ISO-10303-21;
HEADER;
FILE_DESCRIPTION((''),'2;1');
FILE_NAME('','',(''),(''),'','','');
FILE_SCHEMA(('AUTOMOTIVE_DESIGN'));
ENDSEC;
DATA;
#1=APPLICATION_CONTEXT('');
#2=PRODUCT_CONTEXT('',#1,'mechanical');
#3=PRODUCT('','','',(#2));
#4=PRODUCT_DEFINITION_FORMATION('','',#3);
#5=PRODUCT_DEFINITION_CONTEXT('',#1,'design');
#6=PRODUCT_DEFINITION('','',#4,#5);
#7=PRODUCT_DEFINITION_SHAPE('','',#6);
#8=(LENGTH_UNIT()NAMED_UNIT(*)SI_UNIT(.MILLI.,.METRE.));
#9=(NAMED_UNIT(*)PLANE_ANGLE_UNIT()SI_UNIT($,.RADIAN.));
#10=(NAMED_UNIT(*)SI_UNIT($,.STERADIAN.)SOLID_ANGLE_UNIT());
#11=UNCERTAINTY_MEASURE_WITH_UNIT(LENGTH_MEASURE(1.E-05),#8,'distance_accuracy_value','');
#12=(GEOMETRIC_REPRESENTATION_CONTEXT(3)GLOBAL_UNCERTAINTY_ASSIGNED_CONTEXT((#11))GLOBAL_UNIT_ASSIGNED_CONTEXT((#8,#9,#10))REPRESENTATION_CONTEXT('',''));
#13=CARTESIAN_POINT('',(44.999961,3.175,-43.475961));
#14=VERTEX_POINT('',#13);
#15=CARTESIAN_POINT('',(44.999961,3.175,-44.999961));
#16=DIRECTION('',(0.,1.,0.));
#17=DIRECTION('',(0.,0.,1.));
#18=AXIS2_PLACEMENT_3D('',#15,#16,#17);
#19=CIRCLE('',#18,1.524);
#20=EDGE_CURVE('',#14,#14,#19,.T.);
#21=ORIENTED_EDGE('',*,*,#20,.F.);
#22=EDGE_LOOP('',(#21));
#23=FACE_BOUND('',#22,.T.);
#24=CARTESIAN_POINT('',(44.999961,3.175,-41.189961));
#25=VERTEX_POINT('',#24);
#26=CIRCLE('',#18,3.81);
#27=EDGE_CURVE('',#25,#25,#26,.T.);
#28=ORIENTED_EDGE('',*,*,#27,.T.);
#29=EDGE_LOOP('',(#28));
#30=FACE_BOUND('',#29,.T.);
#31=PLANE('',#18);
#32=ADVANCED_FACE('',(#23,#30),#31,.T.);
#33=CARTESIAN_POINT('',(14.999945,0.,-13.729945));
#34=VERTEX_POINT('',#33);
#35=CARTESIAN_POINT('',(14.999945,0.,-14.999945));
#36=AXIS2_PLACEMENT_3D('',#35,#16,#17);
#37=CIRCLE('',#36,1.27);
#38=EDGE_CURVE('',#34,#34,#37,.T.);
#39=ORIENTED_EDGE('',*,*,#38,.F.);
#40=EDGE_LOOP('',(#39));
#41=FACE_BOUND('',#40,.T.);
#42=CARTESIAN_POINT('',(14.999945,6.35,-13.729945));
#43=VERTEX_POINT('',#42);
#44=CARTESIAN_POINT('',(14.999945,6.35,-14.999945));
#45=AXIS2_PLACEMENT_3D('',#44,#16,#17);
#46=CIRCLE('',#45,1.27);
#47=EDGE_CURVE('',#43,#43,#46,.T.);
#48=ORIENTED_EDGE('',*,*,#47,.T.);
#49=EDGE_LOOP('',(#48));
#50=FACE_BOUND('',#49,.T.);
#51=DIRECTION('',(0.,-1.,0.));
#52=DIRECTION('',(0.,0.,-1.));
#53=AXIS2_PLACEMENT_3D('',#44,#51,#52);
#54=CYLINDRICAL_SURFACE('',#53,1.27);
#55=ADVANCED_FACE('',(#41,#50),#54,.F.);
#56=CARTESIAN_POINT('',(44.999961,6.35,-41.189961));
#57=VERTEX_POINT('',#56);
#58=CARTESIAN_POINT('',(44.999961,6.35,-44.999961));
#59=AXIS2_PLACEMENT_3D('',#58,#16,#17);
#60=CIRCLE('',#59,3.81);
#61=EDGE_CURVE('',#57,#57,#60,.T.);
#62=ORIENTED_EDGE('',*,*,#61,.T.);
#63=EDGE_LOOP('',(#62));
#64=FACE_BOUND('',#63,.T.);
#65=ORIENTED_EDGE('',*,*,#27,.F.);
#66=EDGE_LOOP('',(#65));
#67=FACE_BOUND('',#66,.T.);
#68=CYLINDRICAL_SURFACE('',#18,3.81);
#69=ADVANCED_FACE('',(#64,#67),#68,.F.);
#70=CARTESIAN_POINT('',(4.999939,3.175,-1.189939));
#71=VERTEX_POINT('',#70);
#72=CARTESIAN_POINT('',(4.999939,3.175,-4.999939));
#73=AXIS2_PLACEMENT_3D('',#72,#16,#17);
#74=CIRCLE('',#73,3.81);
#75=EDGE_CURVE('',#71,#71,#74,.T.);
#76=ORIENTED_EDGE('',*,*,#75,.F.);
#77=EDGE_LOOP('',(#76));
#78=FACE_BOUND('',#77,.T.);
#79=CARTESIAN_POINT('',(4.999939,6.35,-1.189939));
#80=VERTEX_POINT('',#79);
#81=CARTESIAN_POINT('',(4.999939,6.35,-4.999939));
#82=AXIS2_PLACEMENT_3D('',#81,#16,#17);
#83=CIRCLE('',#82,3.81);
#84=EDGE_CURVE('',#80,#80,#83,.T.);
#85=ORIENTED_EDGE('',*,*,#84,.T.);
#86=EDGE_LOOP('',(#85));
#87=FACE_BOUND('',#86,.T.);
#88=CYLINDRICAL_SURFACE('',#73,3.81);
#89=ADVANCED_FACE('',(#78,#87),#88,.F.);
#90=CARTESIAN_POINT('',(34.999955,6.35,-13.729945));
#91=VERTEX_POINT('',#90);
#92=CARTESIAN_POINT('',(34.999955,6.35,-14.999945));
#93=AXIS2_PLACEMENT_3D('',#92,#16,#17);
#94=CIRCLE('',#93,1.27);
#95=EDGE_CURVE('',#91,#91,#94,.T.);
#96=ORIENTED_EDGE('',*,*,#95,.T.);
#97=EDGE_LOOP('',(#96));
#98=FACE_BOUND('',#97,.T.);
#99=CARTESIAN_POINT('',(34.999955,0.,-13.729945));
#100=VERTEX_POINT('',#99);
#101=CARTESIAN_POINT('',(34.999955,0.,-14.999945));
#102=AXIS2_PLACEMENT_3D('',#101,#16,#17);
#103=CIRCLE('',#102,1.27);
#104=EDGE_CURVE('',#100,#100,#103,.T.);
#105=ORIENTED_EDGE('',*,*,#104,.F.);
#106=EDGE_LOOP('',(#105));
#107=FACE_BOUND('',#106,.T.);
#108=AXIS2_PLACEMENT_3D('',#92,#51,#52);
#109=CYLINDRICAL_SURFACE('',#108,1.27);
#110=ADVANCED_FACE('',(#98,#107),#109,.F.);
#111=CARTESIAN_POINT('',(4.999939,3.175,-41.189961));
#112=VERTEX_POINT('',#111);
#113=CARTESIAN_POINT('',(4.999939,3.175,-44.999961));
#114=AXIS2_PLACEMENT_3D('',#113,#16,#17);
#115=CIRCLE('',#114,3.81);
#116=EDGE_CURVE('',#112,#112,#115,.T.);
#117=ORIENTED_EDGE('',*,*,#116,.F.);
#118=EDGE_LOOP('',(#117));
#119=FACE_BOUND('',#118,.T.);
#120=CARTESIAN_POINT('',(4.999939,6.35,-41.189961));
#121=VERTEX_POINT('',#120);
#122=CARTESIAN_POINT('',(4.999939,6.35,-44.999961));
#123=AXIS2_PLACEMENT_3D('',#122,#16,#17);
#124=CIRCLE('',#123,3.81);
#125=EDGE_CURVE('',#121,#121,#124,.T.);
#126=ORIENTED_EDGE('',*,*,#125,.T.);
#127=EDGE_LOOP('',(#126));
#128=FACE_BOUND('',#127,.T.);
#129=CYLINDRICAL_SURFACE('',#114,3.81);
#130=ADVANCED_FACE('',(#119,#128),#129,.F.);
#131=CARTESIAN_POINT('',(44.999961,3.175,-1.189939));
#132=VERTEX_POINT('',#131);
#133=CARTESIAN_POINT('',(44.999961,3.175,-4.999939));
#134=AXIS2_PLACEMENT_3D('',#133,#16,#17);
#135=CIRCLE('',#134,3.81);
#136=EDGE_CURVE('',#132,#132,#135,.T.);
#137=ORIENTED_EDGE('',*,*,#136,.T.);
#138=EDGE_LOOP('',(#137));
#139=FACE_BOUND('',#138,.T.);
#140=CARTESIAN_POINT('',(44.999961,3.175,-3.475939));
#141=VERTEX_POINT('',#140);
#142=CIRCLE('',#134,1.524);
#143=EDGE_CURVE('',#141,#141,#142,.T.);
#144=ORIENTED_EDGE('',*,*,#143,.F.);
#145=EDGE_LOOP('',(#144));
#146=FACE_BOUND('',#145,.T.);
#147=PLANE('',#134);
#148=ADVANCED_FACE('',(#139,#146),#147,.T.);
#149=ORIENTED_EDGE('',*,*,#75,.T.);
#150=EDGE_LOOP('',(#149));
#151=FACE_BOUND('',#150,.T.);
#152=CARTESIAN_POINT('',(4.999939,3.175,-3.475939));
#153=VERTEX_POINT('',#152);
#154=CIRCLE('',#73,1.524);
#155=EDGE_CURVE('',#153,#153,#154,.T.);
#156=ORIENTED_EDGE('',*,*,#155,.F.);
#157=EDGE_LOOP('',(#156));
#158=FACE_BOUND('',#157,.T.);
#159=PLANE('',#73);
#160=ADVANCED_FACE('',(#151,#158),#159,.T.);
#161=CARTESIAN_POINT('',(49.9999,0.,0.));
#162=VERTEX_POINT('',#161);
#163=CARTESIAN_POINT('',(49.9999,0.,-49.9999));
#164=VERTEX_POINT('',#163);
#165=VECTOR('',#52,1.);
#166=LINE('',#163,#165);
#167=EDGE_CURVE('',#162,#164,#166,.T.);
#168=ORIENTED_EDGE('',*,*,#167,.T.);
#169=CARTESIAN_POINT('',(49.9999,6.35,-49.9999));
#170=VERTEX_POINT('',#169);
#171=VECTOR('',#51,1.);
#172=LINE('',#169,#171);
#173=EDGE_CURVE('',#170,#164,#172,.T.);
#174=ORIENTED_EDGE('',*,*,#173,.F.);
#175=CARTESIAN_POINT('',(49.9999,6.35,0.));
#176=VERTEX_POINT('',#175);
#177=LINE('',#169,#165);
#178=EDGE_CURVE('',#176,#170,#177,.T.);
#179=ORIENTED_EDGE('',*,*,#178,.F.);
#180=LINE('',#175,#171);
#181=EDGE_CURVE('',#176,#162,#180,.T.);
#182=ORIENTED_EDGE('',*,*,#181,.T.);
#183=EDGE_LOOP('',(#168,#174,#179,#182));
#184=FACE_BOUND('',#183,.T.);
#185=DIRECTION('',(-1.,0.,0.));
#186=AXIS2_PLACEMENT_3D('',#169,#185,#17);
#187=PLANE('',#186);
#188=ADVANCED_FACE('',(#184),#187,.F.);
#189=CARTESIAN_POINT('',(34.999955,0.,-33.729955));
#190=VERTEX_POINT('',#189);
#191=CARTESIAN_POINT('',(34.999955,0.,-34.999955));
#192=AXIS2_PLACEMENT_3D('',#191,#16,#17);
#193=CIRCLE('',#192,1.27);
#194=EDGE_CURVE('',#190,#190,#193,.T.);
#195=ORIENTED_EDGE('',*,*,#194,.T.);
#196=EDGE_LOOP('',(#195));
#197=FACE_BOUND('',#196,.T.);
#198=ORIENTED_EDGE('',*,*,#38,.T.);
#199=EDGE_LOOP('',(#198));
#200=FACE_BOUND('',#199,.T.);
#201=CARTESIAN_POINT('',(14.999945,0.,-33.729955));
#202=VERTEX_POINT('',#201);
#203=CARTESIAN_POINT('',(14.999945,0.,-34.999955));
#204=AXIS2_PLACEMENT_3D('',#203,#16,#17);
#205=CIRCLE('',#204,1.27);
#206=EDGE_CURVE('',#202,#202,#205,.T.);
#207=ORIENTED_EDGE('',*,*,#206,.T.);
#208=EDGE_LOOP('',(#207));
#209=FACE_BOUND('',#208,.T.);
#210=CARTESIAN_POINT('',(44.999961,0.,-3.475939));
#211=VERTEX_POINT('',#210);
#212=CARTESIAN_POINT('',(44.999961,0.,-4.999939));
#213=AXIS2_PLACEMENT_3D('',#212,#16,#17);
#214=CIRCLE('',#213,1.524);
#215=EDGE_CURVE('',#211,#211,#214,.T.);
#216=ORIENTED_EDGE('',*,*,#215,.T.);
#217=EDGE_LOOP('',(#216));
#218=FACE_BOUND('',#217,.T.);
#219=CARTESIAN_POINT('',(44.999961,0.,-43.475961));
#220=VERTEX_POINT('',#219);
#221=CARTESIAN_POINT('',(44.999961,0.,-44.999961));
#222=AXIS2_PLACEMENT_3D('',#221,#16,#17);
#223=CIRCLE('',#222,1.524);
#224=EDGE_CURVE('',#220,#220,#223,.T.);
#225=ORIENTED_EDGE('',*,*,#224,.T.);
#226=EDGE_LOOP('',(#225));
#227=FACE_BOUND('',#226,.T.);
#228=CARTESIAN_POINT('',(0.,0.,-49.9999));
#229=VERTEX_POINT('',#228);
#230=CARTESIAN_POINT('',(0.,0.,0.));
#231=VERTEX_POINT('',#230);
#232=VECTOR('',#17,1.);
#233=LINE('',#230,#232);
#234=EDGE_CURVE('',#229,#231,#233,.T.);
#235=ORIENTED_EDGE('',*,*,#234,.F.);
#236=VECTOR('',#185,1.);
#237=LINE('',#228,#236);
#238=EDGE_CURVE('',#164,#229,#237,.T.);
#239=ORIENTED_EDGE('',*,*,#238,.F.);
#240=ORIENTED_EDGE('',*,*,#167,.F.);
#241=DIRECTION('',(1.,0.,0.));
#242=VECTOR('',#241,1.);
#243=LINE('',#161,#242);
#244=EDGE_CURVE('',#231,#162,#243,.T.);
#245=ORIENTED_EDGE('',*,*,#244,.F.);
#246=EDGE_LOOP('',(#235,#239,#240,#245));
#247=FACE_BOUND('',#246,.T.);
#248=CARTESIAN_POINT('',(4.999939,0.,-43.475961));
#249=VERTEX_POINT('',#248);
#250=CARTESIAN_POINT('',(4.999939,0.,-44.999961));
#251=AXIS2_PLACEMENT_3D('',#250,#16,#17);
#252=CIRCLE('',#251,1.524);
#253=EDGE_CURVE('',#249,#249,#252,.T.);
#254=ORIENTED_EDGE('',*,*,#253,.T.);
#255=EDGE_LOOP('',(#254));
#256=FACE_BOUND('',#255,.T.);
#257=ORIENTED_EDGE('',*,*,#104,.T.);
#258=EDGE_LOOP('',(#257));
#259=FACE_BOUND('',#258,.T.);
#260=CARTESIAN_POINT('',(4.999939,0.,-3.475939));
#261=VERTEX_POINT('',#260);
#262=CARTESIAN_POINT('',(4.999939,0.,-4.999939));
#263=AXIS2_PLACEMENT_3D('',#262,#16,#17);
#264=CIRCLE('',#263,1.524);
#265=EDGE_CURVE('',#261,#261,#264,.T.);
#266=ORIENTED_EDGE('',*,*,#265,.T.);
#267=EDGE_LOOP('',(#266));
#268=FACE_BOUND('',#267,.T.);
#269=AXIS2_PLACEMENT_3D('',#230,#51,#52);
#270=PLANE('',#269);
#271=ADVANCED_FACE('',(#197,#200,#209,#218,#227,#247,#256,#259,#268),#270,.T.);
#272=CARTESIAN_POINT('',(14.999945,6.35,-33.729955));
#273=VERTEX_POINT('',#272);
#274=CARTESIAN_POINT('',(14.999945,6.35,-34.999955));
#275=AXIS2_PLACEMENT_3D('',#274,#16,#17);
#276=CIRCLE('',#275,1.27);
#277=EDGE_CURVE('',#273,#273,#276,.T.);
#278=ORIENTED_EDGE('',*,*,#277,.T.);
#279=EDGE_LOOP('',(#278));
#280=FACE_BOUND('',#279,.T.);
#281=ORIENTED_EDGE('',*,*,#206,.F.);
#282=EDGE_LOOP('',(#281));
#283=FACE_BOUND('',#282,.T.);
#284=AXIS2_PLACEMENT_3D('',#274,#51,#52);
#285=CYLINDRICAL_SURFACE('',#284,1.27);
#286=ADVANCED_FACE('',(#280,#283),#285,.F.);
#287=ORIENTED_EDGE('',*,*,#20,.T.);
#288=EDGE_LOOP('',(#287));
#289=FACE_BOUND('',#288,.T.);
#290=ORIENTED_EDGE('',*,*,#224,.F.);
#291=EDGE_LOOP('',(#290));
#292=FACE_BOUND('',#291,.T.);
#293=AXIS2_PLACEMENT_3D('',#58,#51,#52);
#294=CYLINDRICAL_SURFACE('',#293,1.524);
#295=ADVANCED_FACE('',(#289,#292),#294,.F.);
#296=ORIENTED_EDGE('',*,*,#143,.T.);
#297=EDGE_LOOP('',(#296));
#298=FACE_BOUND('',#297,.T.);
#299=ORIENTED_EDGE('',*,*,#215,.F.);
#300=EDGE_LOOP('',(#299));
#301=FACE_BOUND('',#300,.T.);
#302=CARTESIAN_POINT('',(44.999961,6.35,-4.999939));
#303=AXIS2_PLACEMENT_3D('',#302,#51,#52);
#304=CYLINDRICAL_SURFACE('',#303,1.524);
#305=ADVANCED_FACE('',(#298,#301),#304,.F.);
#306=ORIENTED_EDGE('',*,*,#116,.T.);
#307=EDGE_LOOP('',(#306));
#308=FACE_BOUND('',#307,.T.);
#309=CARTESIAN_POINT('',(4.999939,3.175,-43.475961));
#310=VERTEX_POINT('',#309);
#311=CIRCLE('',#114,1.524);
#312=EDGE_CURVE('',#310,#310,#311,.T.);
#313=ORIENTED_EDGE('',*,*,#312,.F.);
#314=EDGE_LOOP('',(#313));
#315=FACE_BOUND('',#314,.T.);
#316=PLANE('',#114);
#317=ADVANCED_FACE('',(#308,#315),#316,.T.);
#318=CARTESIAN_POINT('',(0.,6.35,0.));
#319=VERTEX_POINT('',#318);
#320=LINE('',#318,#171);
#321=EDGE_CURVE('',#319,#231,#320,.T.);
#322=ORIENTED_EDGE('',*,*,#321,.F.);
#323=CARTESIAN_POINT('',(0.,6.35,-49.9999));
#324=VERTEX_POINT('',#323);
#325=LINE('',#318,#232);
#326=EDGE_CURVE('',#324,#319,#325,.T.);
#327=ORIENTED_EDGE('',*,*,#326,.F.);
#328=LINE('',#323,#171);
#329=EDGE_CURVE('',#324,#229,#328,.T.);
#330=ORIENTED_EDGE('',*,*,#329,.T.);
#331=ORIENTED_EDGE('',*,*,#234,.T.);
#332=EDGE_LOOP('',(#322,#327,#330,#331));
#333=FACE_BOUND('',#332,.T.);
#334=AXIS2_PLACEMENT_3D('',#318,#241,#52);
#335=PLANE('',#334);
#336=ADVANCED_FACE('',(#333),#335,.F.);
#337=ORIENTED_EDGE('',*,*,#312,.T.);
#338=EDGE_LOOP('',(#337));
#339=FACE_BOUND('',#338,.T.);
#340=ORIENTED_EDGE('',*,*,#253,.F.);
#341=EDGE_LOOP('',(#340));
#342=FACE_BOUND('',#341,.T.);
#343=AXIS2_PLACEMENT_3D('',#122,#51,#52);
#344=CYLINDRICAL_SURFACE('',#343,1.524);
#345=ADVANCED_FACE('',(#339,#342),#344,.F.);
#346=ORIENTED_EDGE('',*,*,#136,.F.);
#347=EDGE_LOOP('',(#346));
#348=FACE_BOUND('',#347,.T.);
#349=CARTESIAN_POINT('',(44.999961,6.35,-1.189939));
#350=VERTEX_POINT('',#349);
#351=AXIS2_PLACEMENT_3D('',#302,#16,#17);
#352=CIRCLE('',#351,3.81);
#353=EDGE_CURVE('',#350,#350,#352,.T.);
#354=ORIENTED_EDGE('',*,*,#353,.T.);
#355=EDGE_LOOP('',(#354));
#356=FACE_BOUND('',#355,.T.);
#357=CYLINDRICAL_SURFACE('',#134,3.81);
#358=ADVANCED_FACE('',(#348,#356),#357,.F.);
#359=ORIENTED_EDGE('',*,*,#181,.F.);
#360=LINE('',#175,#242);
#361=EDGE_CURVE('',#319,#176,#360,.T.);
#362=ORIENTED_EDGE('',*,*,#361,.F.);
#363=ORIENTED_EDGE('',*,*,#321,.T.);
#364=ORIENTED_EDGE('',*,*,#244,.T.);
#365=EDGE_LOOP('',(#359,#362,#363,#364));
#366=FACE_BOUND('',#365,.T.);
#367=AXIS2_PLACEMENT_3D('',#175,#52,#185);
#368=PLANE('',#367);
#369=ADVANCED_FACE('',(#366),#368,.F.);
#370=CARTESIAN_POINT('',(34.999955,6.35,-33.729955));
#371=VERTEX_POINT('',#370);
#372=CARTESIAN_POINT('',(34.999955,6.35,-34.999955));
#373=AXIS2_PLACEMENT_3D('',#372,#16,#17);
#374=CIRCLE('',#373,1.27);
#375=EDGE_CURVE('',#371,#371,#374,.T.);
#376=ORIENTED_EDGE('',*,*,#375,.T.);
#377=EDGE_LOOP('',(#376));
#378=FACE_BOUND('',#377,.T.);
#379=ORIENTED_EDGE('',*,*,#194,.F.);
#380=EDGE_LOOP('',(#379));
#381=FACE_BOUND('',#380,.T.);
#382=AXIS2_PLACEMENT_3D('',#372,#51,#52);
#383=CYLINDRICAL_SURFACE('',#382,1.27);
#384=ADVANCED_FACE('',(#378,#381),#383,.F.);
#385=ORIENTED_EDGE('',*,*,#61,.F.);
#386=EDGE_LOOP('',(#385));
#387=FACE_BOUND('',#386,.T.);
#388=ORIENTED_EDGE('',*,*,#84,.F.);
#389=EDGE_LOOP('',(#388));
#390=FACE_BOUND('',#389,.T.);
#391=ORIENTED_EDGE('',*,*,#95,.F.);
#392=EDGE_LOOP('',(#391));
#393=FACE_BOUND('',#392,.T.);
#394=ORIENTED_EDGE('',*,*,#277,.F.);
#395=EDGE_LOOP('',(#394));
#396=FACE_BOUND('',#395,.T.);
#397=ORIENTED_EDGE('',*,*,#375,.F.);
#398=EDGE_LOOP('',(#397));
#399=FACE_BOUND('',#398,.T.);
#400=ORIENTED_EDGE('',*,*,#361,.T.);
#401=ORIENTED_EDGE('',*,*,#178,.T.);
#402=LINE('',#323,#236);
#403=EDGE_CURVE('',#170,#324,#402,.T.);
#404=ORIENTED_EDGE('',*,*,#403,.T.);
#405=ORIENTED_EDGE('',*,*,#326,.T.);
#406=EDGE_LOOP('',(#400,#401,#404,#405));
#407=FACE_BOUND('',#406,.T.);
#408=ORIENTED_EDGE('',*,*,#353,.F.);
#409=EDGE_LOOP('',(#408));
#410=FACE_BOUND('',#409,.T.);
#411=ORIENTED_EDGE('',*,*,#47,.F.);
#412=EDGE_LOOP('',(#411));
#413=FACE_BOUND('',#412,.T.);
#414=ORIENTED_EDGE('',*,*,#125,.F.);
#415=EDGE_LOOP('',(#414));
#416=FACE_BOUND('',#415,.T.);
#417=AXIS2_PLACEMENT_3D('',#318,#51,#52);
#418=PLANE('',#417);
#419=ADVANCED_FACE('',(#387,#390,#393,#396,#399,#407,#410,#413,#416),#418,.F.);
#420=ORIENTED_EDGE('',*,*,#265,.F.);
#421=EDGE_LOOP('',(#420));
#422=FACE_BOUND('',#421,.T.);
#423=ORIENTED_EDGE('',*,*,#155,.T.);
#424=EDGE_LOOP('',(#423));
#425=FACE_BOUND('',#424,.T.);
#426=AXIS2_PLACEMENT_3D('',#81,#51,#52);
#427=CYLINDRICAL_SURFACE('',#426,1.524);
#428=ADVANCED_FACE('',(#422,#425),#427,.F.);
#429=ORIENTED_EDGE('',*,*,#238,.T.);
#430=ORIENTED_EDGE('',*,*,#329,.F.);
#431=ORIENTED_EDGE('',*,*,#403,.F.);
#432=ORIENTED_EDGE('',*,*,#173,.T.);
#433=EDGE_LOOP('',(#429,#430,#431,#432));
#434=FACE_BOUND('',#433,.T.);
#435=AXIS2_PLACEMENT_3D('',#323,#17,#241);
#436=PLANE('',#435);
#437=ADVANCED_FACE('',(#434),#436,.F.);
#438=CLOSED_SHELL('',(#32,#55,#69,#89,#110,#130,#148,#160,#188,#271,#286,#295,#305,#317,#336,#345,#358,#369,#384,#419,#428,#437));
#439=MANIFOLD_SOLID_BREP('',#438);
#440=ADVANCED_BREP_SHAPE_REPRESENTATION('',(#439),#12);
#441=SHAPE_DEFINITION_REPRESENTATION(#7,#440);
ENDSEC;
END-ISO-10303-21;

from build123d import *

# Parameters (mm, degrees)
SKETCH1_W           = 49.9999
SKETCH1_H           = 49.9999
SKETCH1_R           = 1.524
SKETCH1_R_2         = 1.27
BOSS_EXTRUDE1_DEPTH = 6.35
SKETCH2_R           = 3.81
CUT_EXTRUDE1_DEPTH  = 3.175


with BuildPart() as part:
    # Sketch1 → Boss-Extrude1 (new body)
    with BuildSketch(Plane(origin=(0, 0, 0), x_dir=(1, 0, 0), z_dir=(0, 1, 0))):
        with Locations((24.99995, 24.99995)):
            Rectangle(SKETCH1_W, SKETCH1_H)
        with Locations((4.9999392, 44.9999608)):
            Circle(SKETCH1_R, mode=Mode.SUBTRACT)
        with Locations((44.9999608, 44.9999608)):
            Circle(SKETCH1_R, mode=Mode.SUBTRACT)
        with Locations((44.9999608, 4.9999392)):
            Circle(SKETCH1_R, mode=Mode.SUBTRACT)
        with Locations((4.9999392, 4.9999392)):
            Circle(SKETCH1_R, mode=Mode.SUBTRACT)
        with Locations((14.9999446, 34.9999554)):
            Circle(SKETCH1_R_2, mode=Mode.SUBTRACT)
        with Locations((34.9999554, 34.9999554)):
            Circle(SKETCH1_R_2, mode=Mode.SUBTRACT)
        with Locations((34.9999554, 14.9999446)):
            Circle(SKETCH1_R_2, mode=Mode.SUBTRACT)
        with Locations((14.9999446, 14.9999446)):
            Circle(SKETCH1_R_2, mode=Mode.SUBTRACT)
    extrude(amount=BOSS_EXTRUDE1_DEPTH)

    # Sketch2 → Cut-Extrude1 (cut)
    with BuildSketch(Plane(origin=(0, 6.35, 0), x_dir=(1, 0, 0), z_dir=(0, 1, 0))):
        with Locations((4.9999392, 44.9999608)):
            Circle(SKETCH2_R)
        with Locations((44.9999608, 44.9999608)):
            Circle(SKETCH2_R)
        with Locations((4.9999392, 4.9999392)):
            Circle(SKETCH2_R)
        with Locations((44.9999608, 4.9999392)):
            Circle(SKETCH2_R)
    extrude(amount=-CUT_EXTRUDE1_DEPTH, mode=Mode.SUBTRACT)


solid = part.part
